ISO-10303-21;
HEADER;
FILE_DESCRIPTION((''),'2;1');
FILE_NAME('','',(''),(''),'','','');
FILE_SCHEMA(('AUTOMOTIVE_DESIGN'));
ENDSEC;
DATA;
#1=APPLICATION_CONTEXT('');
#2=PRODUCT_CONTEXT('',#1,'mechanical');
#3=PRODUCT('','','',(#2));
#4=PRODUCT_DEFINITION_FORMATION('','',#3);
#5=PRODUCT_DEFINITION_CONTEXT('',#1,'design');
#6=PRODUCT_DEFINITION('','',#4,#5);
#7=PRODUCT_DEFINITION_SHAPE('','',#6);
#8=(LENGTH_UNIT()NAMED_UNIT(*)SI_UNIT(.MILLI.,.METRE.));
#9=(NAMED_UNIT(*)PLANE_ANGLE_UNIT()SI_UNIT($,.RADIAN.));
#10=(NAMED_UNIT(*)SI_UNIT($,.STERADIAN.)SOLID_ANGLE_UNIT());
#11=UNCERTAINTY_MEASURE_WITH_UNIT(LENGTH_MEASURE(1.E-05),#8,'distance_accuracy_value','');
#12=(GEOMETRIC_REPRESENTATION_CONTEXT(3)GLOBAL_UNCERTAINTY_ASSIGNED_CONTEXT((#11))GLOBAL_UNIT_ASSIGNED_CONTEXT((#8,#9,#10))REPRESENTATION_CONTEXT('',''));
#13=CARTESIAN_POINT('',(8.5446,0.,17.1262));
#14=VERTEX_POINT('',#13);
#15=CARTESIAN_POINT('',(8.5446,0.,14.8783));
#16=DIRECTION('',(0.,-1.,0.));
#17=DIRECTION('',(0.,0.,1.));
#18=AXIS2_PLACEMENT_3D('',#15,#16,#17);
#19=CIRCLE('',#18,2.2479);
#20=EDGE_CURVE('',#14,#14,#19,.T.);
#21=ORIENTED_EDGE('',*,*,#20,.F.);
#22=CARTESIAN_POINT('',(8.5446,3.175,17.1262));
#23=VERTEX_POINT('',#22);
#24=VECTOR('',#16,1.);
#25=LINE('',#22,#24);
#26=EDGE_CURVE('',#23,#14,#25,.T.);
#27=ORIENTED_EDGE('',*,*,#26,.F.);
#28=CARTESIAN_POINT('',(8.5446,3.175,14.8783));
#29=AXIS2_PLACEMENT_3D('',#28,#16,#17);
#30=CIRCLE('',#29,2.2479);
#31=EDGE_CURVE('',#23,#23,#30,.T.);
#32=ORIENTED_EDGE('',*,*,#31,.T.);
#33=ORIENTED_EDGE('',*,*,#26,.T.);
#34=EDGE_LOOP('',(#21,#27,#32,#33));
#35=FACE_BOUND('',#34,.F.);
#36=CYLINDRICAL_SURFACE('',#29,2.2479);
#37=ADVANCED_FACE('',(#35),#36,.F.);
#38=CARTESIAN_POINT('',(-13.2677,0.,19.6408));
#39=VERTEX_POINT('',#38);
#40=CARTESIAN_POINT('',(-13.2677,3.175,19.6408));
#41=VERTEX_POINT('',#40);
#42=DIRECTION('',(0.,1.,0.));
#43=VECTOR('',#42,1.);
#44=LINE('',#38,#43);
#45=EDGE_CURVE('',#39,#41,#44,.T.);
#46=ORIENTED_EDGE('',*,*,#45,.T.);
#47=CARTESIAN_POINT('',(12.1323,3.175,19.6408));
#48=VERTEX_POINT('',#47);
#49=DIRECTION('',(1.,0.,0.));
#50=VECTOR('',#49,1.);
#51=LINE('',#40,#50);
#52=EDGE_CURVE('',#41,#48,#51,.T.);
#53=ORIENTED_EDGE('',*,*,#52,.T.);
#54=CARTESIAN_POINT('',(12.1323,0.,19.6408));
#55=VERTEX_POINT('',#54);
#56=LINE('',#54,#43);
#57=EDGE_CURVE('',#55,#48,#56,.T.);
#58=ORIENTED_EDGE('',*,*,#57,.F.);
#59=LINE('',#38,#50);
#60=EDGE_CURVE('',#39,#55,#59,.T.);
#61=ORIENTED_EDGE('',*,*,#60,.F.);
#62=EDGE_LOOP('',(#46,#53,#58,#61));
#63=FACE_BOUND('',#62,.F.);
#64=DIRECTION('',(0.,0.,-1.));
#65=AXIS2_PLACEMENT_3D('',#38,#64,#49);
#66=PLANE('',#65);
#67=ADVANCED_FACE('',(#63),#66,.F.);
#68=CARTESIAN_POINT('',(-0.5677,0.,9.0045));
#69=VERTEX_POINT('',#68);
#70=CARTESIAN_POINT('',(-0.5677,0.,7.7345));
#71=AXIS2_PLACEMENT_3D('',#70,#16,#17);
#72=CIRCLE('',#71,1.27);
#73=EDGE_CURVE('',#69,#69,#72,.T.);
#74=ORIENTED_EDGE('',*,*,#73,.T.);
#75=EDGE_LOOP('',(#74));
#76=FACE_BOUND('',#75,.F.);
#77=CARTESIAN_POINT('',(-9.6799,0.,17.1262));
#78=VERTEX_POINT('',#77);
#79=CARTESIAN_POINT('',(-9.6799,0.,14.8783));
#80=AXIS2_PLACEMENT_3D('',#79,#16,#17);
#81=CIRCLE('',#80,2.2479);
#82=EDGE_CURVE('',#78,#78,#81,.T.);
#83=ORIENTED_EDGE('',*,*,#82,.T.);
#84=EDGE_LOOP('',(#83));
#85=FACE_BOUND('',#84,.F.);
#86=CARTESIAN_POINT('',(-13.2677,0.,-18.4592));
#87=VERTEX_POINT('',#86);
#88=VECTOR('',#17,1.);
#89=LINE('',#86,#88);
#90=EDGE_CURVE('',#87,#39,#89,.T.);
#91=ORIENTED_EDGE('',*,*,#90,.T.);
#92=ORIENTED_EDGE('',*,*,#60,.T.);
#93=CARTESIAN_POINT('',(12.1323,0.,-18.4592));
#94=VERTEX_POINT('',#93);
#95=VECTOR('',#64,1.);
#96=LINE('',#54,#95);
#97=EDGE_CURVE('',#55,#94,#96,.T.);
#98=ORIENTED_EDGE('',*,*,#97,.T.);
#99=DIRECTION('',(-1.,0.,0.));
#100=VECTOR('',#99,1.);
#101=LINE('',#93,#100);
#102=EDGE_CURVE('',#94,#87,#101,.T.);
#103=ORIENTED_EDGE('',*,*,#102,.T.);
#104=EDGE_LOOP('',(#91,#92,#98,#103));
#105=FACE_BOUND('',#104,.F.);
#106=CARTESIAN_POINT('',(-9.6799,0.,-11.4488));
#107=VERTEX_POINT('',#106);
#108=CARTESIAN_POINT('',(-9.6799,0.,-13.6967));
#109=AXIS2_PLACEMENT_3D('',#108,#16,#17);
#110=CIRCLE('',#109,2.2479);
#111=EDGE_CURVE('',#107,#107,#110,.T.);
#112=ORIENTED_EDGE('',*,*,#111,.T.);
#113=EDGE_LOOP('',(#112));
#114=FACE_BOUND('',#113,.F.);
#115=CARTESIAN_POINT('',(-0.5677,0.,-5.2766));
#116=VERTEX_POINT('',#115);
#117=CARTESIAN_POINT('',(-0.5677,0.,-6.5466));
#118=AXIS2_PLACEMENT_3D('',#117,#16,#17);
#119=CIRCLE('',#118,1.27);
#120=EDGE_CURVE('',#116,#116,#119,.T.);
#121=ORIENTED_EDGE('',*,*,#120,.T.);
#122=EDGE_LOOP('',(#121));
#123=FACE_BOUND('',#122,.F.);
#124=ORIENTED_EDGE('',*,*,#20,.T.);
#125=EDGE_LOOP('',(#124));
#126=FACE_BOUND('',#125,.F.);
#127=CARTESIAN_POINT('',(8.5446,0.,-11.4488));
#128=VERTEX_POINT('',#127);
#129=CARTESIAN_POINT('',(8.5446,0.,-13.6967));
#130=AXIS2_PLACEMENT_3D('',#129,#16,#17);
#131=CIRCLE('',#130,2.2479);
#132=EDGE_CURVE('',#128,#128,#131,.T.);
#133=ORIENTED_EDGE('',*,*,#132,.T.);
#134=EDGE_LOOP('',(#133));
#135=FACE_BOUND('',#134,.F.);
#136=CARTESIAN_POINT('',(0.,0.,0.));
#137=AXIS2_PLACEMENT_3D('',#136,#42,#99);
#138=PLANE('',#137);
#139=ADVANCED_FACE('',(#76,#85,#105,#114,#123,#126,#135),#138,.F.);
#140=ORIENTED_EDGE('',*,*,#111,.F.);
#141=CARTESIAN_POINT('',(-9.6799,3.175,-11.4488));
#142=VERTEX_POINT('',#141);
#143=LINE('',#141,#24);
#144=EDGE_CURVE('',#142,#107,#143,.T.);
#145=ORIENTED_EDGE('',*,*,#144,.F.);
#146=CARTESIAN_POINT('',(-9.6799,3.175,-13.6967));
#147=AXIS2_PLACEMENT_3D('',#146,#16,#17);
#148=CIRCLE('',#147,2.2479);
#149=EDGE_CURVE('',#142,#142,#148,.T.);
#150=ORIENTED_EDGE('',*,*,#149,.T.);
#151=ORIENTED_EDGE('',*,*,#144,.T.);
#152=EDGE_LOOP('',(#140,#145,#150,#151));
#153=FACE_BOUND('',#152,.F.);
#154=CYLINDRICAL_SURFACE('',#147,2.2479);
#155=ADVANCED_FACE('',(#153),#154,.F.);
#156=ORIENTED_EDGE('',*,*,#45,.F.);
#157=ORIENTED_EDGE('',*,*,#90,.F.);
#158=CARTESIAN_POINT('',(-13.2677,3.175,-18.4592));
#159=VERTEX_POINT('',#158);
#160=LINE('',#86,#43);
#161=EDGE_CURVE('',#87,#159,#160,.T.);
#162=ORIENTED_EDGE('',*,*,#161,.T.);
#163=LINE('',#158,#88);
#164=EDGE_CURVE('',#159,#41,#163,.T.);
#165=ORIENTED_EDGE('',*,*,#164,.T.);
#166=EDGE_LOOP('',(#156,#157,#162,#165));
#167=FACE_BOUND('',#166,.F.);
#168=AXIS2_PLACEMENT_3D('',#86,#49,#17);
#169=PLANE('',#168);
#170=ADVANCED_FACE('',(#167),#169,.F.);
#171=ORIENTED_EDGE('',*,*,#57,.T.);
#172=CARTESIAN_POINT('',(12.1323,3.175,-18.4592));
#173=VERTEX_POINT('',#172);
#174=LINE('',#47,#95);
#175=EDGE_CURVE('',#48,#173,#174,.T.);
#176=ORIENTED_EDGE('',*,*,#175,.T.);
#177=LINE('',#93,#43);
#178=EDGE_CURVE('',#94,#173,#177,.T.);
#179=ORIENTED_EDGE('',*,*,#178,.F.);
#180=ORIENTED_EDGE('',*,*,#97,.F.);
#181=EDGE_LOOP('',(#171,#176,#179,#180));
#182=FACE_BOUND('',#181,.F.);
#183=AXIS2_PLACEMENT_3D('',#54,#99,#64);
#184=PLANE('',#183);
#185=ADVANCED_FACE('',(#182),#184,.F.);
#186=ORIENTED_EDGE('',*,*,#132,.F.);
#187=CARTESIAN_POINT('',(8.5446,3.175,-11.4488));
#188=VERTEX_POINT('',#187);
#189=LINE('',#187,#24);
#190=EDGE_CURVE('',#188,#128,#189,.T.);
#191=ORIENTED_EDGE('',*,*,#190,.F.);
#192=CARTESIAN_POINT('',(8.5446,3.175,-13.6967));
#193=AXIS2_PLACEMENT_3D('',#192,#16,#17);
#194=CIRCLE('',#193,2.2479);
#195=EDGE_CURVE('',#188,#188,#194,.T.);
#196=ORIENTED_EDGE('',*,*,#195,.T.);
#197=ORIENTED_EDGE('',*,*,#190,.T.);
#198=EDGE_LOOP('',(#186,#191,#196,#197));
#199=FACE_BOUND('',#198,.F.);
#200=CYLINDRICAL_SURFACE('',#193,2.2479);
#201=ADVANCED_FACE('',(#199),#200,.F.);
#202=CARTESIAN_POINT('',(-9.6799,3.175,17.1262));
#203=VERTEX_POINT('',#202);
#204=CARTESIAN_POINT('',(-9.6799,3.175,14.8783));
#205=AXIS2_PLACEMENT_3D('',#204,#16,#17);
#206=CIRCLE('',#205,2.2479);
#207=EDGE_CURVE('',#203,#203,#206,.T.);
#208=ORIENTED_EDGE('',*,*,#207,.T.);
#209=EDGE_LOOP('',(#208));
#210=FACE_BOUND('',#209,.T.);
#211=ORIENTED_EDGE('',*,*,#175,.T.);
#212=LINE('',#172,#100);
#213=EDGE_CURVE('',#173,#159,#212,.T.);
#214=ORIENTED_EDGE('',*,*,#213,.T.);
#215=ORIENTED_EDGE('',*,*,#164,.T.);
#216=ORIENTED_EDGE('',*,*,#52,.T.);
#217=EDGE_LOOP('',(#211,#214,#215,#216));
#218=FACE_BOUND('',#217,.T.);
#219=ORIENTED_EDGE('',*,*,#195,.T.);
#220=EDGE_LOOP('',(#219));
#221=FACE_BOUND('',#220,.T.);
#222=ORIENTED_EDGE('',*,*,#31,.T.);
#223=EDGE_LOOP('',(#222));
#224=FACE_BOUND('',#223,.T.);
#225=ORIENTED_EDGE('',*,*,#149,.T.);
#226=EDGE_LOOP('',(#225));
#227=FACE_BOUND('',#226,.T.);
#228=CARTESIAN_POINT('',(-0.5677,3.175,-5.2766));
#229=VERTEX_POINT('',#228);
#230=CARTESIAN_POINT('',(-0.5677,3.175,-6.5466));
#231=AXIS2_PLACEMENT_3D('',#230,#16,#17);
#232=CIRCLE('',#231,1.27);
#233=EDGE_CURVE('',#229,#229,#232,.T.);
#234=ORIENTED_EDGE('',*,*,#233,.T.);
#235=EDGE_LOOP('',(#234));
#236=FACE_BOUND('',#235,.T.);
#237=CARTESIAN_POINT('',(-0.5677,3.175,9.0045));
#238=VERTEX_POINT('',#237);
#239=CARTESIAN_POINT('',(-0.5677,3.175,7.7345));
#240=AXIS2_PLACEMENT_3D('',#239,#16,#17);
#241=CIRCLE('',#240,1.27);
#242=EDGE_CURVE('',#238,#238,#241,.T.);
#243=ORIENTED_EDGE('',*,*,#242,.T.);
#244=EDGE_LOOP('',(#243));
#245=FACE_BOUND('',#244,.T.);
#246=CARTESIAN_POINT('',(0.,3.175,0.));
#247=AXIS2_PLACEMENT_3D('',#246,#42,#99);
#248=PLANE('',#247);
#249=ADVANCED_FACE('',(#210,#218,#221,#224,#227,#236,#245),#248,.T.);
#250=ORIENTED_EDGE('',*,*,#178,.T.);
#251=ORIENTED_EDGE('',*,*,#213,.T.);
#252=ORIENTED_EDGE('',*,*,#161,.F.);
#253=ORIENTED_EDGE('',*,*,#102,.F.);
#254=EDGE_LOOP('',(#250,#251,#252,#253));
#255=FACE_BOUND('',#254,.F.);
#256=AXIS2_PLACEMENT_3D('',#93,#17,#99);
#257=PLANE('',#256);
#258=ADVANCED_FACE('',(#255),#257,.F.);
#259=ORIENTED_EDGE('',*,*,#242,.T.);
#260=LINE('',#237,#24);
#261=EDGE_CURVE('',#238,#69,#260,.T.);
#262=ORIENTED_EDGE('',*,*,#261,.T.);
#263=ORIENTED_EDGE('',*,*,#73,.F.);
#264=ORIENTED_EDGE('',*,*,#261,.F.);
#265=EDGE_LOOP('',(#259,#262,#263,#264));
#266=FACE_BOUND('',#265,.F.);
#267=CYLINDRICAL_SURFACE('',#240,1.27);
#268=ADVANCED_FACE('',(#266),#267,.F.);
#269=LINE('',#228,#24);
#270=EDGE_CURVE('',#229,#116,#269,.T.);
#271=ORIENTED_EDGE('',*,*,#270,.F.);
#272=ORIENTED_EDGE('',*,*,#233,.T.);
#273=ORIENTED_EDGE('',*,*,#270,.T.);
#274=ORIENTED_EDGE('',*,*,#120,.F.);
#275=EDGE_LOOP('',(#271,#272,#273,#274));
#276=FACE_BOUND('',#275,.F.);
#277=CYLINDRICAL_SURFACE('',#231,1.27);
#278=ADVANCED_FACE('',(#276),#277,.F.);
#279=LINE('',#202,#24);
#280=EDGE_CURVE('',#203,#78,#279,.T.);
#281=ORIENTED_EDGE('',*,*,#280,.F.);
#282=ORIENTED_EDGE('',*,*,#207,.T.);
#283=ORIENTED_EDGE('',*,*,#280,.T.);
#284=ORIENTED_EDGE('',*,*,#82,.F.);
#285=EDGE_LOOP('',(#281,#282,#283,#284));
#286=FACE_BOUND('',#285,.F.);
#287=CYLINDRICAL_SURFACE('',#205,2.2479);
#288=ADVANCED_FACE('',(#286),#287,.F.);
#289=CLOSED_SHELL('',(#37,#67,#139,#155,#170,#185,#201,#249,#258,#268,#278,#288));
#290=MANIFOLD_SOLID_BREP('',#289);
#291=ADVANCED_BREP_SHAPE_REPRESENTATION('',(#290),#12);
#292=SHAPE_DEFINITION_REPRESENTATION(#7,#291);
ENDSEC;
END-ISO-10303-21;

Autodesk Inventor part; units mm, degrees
ref_plane "YZ Plane" through (0, 0, 0) normal (1, 0, 0) x (0, 1, 0)
ref_plane "XZ Plane" through (0, 0, 0) normal (0, 1, 0) x (-1, 0, 0)
ref_plane "XY Plane" through (0, 0, 0) normal (0, 0, 1) x (1, 0, 0)
sketch "Sketch1" plane through (0, 0, 0) normal (0, 1, 0) x (-1, 0, 0)
  line L0 (13.2677, 19.6408) -> (-12.1323, 19.6408)
  line L1 (-12.1323, 19.6408) -> (-12.1323, -18.4592)
  line L2 (-12.1323, -18.4592) -> (13.2677, -18.4592)
  line L3 (13.2677, -18.4592) -> (13.2677, 19.6408)
  point P0 (0, 0)
  dimension "d0" = 25.4
  dimension "d1" = 38.1
extrude "Extrusion1" add sketch "Sketch1" along normal blind 3.175
hole "Hole1" at (-9.6799, 3.175, 14.8783) direction (0, -1, 0) diameter 4.4958 depth 3.175 clearance for "Flat Head Machine Screw (82)" size "#8" standard "Ansi Unified Screw Threads"
hole "Hole2" at (8.5446, 3.175, 14.8783) direction (0, -1, 0) diameter 4.4958 depth 3.175 clearance for "Flat Head Machine Screw (82)" size "#8" standard "Ansi Unified Screw Threads"
hole "Hole3" at (-9.6799, 3.175, -13.6967) direction (0, -1, 0) diameter 4.4958 depth 3.175 clearance for "Flat Head Machine Screw (82)" size "#8" standard "Ansi Unified Screw Threads"
hole "Hole4" at (8.5446, 3.175, -13.6967) direction (0, -1, 0) diameter 4.4958 depth 3.175 clearance for "Flat Head Machine Screw (82)" size "#8" standard "Ansi Unified Screw Threads"
hole "Hole5" at (-0.5677, 3.175, -6.5466) direction (0, -1, 0) diameter 2.54 depth 3.175
hole "Hole6" at (-0.5677, 3.175, 7.7345) direction (0, -1, 0) diameter 2.54 depth 3.175
properties part number "Shield_1"
